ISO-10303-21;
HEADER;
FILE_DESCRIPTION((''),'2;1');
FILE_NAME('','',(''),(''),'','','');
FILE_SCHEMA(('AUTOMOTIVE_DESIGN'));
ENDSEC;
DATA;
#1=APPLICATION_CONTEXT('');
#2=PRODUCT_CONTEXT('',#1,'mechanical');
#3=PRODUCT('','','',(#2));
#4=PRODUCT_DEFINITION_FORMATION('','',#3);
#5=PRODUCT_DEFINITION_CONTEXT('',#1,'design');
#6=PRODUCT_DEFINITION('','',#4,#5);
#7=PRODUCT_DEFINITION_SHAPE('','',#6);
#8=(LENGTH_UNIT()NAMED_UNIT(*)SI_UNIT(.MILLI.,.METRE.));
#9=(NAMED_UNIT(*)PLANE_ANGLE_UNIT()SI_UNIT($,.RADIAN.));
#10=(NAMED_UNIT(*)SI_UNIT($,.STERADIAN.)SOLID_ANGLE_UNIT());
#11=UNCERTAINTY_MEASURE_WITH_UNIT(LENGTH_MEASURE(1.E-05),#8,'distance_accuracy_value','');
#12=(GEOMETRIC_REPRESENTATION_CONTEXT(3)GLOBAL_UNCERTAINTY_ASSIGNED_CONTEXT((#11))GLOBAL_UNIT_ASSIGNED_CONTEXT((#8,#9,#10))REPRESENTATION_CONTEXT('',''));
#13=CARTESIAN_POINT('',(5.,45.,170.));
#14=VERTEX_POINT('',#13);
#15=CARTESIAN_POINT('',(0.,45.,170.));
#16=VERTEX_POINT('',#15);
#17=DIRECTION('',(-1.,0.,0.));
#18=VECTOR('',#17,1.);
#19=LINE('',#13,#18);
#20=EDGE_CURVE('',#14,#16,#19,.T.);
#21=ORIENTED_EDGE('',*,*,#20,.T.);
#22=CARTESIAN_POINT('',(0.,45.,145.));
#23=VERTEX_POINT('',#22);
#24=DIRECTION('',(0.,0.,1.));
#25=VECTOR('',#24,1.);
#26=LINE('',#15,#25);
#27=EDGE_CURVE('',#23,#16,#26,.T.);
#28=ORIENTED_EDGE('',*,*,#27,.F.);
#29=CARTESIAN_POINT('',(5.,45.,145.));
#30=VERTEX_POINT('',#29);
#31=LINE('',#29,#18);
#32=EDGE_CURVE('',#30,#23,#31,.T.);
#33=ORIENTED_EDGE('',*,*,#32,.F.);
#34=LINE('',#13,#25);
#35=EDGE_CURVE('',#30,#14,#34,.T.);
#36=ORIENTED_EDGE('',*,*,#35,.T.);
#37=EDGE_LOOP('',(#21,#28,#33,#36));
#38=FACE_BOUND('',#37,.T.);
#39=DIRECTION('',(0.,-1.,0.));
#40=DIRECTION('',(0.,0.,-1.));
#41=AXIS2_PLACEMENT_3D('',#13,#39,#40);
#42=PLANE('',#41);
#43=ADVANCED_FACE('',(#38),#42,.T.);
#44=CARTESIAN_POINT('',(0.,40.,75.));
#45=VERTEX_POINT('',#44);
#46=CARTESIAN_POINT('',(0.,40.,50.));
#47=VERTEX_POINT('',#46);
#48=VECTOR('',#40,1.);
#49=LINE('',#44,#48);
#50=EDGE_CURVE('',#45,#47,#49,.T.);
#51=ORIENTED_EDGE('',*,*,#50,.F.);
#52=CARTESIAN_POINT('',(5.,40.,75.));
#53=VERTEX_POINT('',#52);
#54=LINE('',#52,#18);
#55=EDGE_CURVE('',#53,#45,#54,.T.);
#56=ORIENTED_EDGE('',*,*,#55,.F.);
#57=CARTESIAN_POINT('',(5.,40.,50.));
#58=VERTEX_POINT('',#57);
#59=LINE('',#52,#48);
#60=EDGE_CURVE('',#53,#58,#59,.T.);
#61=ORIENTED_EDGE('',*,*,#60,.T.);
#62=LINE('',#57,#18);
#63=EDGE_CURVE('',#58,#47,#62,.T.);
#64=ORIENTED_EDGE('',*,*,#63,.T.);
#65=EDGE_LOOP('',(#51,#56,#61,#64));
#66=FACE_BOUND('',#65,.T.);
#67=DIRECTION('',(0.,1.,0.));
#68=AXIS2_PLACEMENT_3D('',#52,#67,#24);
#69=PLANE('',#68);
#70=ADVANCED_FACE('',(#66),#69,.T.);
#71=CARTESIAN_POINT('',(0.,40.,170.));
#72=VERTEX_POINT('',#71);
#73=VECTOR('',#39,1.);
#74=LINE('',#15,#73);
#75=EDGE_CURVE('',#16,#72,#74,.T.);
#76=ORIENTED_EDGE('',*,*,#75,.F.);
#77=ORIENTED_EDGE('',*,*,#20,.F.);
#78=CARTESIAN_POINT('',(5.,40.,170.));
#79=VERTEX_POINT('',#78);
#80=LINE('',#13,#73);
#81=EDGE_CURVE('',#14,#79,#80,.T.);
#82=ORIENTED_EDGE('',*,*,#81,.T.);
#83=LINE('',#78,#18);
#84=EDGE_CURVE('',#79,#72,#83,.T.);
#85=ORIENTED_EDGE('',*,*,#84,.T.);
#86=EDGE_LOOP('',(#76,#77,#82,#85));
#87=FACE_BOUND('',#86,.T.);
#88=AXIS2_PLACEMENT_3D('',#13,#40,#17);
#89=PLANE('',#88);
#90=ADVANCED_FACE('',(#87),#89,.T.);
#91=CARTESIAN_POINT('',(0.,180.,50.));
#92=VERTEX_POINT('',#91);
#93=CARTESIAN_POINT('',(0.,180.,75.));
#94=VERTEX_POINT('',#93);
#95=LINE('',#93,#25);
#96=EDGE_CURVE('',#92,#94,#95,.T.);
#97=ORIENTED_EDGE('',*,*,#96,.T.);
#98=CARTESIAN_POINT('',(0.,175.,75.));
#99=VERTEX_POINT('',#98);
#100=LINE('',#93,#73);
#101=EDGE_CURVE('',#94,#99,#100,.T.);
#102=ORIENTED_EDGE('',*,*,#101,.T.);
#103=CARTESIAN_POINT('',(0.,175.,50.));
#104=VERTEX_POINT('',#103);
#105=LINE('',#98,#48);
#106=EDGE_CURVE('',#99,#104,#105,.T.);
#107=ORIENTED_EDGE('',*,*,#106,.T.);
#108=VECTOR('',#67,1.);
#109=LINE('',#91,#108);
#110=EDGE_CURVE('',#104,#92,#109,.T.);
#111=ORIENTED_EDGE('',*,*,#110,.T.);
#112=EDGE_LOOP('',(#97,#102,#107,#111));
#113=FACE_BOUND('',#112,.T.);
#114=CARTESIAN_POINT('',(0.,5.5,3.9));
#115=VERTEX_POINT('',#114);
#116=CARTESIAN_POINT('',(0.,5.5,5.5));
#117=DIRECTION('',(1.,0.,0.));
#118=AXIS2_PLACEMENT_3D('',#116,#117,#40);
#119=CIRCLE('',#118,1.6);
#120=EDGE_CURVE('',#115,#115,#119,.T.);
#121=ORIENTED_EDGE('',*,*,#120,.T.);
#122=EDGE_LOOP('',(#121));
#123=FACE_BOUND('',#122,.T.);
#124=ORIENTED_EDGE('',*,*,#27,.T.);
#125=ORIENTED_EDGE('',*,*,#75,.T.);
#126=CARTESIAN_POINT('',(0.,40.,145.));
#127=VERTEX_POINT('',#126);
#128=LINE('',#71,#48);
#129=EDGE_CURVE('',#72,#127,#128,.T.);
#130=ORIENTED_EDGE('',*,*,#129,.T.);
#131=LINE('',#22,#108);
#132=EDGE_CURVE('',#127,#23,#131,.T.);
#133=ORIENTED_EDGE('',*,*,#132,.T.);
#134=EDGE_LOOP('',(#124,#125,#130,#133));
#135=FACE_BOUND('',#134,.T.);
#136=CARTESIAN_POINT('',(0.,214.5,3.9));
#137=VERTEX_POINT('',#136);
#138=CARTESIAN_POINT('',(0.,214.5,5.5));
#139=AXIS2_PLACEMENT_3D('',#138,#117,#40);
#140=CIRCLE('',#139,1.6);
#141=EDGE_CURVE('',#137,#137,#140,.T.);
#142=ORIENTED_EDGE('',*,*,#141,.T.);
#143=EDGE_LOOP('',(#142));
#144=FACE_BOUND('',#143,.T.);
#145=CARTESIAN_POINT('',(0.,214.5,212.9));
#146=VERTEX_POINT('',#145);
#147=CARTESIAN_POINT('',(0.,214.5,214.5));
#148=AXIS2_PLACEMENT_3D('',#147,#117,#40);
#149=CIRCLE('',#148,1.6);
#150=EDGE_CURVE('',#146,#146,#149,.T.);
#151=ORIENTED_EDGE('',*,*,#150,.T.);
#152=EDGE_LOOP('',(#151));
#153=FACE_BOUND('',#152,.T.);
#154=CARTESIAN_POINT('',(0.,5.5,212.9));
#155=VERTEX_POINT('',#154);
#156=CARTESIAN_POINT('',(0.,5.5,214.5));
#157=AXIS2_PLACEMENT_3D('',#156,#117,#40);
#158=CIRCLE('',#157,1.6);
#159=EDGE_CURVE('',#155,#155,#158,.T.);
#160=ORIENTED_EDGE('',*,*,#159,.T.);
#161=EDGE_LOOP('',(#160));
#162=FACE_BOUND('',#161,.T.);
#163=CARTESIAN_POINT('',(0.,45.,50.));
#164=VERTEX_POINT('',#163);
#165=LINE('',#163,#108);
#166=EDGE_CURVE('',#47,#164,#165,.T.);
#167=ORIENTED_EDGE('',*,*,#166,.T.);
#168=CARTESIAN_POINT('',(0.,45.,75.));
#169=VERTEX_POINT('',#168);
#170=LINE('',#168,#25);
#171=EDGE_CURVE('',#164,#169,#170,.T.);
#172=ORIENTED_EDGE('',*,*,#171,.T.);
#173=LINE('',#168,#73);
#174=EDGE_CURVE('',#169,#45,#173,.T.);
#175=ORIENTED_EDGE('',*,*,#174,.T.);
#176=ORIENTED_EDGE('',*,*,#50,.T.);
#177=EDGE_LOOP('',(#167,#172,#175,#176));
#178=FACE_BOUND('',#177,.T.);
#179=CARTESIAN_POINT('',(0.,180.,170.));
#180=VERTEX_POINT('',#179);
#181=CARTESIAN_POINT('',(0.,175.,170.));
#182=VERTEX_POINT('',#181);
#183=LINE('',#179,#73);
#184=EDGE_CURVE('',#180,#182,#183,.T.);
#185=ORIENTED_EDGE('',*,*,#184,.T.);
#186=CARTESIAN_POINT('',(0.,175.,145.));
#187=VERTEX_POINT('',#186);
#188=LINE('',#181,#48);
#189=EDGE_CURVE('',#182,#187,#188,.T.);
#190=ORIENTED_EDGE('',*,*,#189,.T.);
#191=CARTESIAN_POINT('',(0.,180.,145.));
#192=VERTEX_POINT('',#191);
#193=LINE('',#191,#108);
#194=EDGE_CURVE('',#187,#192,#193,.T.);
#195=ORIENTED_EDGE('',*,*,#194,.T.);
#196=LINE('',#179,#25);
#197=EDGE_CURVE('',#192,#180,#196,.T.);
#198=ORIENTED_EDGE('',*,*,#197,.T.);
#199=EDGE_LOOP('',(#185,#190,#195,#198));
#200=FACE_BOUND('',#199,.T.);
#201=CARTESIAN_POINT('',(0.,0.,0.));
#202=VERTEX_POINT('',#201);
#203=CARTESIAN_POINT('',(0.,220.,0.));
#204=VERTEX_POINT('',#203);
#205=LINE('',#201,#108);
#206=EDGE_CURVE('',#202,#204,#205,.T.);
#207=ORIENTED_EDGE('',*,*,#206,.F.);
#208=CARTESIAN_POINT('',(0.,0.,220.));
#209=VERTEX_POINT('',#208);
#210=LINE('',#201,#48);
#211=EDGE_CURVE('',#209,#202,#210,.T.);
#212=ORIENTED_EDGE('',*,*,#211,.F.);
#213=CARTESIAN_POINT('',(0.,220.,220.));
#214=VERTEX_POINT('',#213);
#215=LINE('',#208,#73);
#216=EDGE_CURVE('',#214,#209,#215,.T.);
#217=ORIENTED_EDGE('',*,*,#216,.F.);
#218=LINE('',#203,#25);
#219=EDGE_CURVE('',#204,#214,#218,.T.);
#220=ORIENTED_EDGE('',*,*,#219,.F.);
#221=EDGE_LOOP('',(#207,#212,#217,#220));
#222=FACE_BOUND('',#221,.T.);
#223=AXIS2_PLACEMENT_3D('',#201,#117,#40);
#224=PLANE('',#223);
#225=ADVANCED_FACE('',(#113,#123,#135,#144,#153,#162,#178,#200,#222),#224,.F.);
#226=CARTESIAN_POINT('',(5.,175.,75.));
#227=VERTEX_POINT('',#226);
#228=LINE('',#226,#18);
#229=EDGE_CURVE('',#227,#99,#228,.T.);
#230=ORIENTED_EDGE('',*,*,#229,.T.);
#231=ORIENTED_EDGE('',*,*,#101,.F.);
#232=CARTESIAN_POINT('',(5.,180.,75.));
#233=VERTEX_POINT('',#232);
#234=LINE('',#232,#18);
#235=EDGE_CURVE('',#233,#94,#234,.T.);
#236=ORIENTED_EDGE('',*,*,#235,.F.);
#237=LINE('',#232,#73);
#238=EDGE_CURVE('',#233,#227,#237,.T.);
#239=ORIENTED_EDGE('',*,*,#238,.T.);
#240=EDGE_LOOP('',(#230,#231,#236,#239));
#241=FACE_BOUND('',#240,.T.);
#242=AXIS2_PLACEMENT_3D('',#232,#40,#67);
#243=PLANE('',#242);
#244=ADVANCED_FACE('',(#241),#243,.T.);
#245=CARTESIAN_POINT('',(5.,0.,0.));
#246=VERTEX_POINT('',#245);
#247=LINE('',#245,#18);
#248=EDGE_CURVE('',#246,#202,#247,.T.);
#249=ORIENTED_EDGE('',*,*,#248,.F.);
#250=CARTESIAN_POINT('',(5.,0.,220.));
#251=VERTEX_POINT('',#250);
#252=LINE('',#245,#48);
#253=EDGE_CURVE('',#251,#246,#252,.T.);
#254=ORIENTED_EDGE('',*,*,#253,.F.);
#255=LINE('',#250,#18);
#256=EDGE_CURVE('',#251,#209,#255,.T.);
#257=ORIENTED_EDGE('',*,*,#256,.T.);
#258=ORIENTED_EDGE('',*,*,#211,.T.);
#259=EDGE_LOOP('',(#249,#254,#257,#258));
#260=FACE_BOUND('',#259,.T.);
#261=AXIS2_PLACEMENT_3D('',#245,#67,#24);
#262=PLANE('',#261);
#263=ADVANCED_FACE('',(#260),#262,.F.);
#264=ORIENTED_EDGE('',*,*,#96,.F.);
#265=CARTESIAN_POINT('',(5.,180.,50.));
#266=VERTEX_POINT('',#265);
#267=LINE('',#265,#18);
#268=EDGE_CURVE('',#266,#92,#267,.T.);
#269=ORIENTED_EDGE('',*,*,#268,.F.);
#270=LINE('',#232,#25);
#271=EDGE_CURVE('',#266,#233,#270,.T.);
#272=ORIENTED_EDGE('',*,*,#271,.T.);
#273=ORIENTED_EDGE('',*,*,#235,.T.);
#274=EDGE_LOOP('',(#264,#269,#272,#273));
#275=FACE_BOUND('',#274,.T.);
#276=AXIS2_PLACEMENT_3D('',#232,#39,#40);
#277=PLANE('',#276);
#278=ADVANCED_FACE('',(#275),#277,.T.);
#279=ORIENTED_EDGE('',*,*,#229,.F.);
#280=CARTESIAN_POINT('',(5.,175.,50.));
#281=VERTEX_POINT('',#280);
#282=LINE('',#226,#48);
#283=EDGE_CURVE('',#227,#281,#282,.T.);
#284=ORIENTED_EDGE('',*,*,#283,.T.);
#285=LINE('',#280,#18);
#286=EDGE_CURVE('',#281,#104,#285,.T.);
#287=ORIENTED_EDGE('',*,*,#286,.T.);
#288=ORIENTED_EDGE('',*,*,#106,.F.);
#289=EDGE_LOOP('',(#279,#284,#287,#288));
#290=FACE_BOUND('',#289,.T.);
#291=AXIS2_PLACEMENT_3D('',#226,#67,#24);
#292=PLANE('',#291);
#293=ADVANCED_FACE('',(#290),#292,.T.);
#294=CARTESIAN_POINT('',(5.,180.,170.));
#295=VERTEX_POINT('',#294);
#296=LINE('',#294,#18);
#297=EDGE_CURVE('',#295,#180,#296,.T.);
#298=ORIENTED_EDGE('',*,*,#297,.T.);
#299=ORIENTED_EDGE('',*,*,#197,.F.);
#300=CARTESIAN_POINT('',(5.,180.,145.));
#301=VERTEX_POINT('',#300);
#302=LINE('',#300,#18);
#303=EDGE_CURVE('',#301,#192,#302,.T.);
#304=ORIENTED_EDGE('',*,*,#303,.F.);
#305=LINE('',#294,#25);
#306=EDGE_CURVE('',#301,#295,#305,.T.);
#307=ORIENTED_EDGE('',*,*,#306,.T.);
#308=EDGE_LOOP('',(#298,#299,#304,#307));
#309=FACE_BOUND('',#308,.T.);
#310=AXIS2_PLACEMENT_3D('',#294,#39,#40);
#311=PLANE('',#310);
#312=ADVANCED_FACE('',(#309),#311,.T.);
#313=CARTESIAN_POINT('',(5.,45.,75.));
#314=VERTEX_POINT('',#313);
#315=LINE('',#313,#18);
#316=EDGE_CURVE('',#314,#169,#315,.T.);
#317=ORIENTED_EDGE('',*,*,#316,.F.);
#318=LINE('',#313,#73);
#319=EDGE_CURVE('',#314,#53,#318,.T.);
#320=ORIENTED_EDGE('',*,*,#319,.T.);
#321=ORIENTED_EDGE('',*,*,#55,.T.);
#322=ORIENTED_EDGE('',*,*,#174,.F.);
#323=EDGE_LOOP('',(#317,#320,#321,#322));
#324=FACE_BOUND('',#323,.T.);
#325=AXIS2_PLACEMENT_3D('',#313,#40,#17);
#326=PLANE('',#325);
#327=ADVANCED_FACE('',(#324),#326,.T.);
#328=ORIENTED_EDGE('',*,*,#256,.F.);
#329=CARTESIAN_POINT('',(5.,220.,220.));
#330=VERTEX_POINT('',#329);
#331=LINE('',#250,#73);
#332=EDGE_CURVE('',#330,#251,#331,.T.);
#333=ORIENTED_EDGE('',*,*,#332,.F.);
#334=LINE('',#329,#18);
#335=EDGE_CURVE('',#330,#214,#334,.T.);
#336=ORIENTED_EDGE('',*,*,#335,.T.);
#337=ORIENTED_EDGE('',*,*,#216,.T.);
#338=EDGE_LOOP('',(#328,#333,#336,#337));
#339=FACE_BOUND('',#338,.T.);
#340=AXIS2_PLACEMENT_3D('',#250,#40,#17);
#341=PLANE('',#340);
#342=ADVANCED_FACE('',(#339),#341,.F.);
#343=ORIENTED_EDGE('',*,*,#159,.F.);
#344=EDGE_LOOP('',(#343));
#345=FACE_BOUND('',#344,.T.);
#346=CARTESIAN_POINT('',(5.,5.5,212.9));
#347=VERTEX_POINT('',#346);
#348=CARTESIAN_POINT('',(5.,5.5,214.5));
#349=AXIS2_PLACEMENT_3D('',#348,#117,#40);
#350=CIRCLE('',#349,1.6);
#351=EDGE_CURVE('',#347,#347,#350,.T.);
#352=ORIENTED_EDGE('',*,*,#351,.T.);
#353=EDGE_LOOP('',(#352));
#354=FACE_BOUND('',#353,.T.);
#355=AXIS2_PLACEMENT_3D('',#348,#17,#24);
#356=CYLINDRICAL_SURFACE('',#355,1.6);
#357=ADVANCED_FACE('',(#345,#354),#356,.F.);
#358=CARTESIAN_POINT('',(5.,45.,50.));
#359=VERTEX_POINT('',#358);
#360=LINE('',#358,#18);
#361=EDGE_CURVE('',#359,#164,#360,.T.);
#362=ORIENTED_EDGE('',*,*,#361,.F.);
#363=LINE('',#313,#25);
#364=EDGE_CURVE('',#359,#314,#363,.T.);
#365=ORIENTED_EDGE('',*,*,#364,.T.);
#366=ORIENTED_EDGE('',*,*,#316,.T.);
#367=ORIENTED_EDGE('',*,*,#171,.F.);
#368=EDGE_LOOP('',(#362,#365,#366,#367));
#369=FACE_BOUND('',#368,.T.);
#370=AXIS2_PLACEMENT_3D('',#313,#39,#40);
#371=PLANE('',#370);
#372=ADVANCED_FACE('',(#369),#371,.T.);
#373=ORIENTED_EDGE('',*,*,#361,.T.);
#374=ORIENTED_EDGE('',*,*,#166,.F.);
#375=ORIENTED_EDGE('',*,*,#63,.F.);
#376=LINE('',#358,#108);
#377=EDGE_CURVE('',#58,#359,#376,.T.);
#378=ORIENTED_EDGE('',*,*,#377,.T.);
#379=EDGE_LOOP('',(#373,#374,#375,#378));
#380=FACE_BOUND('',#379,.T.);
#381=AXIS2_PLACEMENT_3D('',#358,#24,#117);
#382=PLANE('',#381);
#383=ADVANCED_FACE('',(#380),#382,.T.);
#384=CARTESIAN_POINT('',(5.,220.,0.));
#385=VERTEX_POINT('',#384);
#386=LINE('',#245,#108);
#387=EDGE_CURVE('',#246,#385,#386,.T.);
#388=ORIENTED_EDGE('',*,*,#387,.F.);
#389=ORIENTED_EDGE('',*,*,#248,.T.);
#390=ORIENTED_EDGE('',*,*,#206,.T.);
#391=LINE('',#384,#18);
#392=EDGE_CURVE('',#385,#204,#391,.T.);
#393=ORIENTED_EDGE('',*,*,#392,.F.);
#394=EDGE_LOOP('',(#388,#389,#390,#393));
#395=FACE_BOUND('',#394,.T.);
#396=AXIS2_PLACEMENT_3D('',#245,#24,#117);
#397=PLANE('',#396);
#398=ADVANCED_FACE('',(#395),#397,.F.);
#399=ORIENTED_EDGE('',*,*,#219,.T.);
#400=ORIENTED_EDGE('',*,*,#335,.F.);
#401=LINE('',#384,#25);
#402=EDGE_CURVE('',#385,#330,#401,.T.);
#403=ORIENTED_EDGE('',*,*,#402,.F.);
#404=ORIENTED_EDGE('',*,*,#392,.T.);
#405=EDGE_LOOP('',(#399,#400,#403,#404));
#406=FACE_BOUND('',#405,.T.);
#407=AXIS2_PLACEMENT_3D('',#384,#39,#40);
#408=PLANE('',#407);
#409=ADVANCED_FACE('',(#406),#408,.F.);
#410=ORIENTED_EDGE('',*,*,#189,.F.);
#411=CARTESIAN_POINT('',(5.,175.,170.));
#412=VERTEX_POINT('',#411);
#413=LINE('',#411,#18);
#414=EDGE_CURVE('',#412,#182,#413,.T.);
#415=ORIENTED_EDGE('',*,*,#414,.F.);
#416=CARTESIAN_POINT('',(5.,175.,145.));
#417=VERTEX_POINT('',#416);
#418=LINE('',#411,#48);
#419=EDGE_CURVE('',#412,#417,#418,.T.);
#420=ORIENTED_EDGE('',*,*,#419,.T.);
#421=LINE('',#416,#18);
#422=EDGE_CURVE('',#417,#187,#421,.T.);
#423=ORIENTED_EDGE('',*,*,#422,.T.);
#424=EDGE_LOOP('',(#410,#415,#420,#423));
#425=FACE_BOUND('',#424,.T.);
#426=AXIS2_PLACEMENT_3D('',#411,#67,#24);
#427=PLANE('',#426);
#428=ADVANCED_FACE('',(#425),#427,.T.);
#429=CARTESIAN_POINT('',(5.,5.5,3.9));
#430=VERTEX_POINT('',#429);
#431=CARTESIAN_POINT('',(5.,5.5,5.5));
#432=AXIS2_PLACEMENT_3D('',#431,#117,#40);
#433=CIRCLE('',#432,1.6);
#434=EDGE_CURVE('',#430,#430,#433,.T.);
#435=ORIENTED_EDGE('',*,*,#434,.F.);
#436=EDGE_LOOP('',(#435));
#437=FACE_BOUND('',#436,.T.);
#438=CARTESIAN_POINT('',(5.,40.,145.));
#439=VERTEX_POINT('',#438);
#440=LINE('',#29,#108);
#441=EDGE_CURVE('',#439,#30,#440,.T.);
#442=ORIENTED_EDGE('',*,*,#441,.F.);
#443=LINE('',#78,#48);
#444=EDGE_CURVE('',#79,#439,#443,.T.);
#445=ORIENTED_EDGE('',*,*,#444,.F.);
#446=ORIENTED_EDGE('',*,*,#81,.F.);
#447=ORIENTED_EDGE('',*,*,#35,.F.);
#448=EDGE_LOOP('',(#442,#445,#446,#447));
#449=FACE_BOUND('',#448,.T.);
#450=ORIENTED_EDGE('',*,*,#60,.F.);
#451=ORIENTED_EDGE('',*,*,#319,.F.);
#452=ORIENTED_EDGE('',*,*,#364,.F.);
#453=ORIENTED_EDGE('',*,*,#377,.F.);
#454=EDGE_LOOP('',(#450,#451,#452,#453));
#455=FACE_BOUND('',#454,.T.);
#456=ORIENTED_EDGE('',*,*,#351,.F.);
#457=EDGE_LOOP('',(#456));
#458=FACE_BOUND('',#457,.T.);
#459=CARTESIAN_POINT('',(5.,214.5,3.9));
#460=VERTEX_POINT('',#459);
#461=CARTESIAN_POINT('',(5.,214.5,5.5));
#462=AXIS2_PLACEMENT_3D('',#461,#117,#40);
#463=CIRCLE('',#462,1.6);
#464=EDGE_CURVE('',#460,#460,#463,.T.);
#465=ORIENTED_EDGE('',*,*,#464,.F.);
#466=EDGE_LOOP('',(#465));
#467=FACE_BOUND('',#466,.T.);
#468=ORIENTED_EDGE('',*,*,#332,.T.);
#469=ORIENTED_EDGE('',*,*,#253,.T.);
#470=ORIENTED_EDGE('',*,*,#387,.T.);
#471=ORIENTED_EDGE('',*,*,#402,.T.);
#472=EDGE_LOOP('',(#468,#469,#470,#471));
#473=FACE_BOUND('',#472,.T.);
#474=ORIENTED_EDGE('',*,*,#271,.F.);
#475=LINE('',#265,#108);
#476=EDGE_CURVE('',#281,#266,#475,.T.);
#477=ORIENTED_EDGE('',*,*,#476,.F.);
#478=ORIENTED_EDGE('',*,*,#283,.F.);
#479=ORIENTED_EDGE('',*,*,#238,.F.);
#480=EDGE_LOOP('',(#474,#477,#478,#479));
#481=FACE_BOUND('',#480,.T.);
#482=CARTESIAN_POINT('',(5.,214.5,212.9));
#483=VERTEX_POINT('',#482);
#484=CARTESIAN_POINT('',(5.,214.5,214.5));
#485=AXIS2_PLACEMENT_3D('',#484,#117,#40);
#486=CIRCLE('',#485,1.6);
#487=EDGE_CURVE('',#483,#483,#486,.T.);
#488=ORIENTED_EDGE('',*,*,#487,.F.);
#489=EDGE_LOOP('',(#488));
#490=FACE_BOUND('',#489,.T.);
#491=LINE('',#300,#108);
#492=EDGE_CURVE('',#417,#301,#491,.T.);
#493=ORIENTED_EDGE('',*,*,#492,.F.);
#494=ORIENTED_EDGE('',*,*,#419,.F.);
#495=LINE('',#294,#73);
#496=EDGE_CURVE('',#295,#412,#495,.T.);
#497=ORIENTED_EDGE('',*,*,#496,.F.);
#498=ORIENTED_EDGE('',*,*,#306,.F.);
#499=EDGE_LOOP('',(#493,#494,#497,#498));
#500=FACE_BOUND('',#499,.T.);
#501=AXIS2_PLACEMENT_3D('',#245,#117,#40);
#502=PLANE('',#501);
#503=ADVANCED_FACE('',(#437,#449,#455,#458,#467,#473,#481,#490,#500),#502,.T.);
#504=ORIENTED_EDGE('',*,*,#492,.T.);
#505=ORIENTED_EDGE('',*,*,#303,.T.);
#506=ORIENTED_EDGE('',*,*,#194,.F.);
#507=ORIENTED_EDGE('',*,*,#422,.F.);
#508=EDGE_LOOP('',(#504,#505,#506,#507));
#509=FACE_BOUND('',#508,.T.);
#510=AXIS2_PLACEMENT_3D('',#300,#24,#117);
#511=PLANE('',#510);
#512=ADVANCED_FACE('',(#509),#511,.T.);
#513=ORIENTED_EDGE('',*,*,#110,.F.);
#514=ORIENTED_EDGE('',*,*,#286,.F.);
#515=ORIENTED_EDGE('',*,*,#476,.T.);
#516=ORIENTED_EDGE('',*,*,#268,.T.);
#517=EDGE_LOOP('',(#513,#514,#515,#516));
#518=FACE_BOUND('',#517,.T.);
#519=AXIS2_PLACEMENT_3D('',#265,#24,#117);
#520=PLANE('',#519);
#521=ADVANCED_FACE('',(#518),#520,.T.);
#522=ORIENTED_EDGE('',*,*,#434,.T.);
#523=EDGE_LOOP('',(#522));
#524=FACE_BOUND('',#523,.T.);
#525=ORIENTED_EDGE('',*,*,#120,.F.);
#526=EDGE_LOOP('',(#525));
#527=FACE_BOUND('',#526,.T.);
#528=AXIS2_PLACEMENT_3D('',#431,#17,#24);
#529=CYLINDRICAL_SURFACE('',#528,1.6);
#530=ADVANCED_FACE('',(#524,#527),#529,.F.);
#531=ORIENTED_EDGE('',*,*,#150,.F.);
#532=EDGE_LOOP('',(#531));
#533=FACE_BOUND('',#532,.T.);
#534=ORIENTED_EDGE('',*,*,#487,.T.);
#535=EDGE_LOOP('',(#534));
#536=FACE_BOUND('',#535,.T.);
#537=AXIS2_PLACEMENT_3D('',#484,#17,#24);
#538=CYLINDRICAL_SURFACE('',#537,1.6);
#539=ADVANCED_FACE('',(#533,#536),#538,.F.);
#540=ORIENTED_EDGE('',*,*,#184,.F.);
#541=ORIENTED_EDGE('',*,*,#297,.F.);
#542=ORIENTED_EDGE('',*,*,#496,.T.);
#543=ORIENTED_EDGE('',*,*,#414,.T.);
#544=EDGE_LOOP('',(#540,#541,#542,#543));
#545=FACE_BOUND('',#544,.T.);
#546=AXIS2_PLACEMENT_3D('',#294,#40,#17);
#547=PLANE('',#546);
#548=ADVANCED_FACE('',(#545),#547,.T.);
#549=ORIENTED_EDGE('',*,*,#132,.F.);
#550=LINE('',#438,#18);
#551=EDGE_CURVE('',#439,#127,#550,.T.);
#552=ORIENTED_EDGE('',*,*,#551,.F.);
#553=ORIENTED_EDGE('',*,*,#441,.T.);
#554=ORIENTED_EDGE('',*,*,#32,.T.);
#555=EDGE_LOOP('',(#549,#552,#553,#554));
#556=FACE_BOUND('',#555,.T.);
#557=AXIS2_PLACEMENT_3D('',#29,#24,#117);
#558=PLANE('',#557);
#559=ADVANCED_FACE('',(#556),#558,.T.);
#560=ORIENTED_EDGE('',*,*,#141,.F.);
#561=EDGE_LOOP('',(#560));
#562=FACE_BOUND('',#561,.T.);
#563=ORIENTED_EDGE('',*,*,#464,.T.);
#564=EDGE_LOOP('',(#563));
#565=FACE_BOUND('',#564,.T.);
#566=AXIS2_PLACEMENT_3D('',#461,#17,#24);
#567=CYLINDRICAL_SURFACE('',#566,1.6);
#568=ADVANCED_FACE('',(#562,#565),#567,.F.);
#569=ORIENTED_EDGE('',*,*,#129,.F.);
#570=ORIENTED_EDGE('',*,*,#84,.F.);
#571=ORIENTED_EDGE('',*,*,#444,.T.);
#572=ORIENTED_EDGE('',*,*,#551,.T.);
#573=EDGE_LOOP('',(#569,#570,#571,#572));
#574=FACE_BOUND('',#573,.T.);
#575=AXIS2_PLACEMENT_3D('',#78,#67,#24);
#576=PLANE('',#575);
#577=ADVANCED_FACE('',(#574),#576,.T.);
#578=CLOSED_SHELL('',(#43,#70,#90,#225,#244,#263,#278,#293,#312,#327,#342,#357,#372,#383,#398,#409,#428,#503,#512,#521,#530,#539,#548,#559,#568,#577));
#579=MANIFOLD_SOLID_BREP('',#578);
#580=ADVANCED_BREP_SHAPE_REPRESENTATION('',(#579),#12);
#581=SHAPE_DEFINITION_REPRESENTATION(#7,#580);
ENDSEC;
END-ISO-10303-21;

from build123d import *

# Parameters (mm, degrees)
SKETCH_1_W      = 220
SKETCH_1_H      = 220
SKETCH_1_R      = 1.6
SKETCH_1_W_2    = 25
SKETCH_1_H_2    = 5
EXTRUDE_1_DEPTH = 5


with BuildPart() as part:
    # 草图1 → 凸台-拉伸1 (new body)
    with BuildSketch(Plane(origin=(0, 0, 0), x_dir=(0, 0, -1), z_dir=(1, 0, 0))):
        with Locations((-110, 110)):
            Rectangle(SKETCH_1_W, SKETCH_1_H)
        with Locations((-214.5, 214.5)):
            Circle(SKETCH_1_R, mode=Mode.SUBTRACT)
        with Locations((-5.5, 214.5)):
            Circle(SKETCH_1_R, mode=Mode.SUBTRACT)
        with Locations((-214.5, 5.5)):
            Circle(SKETCH_1_R, mode=Mode.SUBTRACT)
        with Locations((-5.5, 5.5)):
            Circle(SKETCH_1_R, mode=Mode.SUBTRACT)
        with Locations((-157.5, 42.5)):
            Rectangle(SKETCH_1_W_2, SKETCH_1_H_2, mode=Mode.SUBTRACT)
        with Locations((-62.5, 42.5)):
            Rectangle(SKETCH_1_W_2, SKETCH_1_H_2, mode=Mode.SUBTRACT)
        with Locations((-157.5, 177.5)):
            Rectangle(SKETCH_1_W_2, SKETCH_1_H_2, mode=Mode.SUBTRACT)
        with Locations((-62.5, 177.5)):
            Rectangle(SKETCH_1_W_2, SKETCH_1_H_2, mode=Mode.SUBTRACT)
    extrude(amount=EXTRUDE_1_DEPTH)


solid = part.part
